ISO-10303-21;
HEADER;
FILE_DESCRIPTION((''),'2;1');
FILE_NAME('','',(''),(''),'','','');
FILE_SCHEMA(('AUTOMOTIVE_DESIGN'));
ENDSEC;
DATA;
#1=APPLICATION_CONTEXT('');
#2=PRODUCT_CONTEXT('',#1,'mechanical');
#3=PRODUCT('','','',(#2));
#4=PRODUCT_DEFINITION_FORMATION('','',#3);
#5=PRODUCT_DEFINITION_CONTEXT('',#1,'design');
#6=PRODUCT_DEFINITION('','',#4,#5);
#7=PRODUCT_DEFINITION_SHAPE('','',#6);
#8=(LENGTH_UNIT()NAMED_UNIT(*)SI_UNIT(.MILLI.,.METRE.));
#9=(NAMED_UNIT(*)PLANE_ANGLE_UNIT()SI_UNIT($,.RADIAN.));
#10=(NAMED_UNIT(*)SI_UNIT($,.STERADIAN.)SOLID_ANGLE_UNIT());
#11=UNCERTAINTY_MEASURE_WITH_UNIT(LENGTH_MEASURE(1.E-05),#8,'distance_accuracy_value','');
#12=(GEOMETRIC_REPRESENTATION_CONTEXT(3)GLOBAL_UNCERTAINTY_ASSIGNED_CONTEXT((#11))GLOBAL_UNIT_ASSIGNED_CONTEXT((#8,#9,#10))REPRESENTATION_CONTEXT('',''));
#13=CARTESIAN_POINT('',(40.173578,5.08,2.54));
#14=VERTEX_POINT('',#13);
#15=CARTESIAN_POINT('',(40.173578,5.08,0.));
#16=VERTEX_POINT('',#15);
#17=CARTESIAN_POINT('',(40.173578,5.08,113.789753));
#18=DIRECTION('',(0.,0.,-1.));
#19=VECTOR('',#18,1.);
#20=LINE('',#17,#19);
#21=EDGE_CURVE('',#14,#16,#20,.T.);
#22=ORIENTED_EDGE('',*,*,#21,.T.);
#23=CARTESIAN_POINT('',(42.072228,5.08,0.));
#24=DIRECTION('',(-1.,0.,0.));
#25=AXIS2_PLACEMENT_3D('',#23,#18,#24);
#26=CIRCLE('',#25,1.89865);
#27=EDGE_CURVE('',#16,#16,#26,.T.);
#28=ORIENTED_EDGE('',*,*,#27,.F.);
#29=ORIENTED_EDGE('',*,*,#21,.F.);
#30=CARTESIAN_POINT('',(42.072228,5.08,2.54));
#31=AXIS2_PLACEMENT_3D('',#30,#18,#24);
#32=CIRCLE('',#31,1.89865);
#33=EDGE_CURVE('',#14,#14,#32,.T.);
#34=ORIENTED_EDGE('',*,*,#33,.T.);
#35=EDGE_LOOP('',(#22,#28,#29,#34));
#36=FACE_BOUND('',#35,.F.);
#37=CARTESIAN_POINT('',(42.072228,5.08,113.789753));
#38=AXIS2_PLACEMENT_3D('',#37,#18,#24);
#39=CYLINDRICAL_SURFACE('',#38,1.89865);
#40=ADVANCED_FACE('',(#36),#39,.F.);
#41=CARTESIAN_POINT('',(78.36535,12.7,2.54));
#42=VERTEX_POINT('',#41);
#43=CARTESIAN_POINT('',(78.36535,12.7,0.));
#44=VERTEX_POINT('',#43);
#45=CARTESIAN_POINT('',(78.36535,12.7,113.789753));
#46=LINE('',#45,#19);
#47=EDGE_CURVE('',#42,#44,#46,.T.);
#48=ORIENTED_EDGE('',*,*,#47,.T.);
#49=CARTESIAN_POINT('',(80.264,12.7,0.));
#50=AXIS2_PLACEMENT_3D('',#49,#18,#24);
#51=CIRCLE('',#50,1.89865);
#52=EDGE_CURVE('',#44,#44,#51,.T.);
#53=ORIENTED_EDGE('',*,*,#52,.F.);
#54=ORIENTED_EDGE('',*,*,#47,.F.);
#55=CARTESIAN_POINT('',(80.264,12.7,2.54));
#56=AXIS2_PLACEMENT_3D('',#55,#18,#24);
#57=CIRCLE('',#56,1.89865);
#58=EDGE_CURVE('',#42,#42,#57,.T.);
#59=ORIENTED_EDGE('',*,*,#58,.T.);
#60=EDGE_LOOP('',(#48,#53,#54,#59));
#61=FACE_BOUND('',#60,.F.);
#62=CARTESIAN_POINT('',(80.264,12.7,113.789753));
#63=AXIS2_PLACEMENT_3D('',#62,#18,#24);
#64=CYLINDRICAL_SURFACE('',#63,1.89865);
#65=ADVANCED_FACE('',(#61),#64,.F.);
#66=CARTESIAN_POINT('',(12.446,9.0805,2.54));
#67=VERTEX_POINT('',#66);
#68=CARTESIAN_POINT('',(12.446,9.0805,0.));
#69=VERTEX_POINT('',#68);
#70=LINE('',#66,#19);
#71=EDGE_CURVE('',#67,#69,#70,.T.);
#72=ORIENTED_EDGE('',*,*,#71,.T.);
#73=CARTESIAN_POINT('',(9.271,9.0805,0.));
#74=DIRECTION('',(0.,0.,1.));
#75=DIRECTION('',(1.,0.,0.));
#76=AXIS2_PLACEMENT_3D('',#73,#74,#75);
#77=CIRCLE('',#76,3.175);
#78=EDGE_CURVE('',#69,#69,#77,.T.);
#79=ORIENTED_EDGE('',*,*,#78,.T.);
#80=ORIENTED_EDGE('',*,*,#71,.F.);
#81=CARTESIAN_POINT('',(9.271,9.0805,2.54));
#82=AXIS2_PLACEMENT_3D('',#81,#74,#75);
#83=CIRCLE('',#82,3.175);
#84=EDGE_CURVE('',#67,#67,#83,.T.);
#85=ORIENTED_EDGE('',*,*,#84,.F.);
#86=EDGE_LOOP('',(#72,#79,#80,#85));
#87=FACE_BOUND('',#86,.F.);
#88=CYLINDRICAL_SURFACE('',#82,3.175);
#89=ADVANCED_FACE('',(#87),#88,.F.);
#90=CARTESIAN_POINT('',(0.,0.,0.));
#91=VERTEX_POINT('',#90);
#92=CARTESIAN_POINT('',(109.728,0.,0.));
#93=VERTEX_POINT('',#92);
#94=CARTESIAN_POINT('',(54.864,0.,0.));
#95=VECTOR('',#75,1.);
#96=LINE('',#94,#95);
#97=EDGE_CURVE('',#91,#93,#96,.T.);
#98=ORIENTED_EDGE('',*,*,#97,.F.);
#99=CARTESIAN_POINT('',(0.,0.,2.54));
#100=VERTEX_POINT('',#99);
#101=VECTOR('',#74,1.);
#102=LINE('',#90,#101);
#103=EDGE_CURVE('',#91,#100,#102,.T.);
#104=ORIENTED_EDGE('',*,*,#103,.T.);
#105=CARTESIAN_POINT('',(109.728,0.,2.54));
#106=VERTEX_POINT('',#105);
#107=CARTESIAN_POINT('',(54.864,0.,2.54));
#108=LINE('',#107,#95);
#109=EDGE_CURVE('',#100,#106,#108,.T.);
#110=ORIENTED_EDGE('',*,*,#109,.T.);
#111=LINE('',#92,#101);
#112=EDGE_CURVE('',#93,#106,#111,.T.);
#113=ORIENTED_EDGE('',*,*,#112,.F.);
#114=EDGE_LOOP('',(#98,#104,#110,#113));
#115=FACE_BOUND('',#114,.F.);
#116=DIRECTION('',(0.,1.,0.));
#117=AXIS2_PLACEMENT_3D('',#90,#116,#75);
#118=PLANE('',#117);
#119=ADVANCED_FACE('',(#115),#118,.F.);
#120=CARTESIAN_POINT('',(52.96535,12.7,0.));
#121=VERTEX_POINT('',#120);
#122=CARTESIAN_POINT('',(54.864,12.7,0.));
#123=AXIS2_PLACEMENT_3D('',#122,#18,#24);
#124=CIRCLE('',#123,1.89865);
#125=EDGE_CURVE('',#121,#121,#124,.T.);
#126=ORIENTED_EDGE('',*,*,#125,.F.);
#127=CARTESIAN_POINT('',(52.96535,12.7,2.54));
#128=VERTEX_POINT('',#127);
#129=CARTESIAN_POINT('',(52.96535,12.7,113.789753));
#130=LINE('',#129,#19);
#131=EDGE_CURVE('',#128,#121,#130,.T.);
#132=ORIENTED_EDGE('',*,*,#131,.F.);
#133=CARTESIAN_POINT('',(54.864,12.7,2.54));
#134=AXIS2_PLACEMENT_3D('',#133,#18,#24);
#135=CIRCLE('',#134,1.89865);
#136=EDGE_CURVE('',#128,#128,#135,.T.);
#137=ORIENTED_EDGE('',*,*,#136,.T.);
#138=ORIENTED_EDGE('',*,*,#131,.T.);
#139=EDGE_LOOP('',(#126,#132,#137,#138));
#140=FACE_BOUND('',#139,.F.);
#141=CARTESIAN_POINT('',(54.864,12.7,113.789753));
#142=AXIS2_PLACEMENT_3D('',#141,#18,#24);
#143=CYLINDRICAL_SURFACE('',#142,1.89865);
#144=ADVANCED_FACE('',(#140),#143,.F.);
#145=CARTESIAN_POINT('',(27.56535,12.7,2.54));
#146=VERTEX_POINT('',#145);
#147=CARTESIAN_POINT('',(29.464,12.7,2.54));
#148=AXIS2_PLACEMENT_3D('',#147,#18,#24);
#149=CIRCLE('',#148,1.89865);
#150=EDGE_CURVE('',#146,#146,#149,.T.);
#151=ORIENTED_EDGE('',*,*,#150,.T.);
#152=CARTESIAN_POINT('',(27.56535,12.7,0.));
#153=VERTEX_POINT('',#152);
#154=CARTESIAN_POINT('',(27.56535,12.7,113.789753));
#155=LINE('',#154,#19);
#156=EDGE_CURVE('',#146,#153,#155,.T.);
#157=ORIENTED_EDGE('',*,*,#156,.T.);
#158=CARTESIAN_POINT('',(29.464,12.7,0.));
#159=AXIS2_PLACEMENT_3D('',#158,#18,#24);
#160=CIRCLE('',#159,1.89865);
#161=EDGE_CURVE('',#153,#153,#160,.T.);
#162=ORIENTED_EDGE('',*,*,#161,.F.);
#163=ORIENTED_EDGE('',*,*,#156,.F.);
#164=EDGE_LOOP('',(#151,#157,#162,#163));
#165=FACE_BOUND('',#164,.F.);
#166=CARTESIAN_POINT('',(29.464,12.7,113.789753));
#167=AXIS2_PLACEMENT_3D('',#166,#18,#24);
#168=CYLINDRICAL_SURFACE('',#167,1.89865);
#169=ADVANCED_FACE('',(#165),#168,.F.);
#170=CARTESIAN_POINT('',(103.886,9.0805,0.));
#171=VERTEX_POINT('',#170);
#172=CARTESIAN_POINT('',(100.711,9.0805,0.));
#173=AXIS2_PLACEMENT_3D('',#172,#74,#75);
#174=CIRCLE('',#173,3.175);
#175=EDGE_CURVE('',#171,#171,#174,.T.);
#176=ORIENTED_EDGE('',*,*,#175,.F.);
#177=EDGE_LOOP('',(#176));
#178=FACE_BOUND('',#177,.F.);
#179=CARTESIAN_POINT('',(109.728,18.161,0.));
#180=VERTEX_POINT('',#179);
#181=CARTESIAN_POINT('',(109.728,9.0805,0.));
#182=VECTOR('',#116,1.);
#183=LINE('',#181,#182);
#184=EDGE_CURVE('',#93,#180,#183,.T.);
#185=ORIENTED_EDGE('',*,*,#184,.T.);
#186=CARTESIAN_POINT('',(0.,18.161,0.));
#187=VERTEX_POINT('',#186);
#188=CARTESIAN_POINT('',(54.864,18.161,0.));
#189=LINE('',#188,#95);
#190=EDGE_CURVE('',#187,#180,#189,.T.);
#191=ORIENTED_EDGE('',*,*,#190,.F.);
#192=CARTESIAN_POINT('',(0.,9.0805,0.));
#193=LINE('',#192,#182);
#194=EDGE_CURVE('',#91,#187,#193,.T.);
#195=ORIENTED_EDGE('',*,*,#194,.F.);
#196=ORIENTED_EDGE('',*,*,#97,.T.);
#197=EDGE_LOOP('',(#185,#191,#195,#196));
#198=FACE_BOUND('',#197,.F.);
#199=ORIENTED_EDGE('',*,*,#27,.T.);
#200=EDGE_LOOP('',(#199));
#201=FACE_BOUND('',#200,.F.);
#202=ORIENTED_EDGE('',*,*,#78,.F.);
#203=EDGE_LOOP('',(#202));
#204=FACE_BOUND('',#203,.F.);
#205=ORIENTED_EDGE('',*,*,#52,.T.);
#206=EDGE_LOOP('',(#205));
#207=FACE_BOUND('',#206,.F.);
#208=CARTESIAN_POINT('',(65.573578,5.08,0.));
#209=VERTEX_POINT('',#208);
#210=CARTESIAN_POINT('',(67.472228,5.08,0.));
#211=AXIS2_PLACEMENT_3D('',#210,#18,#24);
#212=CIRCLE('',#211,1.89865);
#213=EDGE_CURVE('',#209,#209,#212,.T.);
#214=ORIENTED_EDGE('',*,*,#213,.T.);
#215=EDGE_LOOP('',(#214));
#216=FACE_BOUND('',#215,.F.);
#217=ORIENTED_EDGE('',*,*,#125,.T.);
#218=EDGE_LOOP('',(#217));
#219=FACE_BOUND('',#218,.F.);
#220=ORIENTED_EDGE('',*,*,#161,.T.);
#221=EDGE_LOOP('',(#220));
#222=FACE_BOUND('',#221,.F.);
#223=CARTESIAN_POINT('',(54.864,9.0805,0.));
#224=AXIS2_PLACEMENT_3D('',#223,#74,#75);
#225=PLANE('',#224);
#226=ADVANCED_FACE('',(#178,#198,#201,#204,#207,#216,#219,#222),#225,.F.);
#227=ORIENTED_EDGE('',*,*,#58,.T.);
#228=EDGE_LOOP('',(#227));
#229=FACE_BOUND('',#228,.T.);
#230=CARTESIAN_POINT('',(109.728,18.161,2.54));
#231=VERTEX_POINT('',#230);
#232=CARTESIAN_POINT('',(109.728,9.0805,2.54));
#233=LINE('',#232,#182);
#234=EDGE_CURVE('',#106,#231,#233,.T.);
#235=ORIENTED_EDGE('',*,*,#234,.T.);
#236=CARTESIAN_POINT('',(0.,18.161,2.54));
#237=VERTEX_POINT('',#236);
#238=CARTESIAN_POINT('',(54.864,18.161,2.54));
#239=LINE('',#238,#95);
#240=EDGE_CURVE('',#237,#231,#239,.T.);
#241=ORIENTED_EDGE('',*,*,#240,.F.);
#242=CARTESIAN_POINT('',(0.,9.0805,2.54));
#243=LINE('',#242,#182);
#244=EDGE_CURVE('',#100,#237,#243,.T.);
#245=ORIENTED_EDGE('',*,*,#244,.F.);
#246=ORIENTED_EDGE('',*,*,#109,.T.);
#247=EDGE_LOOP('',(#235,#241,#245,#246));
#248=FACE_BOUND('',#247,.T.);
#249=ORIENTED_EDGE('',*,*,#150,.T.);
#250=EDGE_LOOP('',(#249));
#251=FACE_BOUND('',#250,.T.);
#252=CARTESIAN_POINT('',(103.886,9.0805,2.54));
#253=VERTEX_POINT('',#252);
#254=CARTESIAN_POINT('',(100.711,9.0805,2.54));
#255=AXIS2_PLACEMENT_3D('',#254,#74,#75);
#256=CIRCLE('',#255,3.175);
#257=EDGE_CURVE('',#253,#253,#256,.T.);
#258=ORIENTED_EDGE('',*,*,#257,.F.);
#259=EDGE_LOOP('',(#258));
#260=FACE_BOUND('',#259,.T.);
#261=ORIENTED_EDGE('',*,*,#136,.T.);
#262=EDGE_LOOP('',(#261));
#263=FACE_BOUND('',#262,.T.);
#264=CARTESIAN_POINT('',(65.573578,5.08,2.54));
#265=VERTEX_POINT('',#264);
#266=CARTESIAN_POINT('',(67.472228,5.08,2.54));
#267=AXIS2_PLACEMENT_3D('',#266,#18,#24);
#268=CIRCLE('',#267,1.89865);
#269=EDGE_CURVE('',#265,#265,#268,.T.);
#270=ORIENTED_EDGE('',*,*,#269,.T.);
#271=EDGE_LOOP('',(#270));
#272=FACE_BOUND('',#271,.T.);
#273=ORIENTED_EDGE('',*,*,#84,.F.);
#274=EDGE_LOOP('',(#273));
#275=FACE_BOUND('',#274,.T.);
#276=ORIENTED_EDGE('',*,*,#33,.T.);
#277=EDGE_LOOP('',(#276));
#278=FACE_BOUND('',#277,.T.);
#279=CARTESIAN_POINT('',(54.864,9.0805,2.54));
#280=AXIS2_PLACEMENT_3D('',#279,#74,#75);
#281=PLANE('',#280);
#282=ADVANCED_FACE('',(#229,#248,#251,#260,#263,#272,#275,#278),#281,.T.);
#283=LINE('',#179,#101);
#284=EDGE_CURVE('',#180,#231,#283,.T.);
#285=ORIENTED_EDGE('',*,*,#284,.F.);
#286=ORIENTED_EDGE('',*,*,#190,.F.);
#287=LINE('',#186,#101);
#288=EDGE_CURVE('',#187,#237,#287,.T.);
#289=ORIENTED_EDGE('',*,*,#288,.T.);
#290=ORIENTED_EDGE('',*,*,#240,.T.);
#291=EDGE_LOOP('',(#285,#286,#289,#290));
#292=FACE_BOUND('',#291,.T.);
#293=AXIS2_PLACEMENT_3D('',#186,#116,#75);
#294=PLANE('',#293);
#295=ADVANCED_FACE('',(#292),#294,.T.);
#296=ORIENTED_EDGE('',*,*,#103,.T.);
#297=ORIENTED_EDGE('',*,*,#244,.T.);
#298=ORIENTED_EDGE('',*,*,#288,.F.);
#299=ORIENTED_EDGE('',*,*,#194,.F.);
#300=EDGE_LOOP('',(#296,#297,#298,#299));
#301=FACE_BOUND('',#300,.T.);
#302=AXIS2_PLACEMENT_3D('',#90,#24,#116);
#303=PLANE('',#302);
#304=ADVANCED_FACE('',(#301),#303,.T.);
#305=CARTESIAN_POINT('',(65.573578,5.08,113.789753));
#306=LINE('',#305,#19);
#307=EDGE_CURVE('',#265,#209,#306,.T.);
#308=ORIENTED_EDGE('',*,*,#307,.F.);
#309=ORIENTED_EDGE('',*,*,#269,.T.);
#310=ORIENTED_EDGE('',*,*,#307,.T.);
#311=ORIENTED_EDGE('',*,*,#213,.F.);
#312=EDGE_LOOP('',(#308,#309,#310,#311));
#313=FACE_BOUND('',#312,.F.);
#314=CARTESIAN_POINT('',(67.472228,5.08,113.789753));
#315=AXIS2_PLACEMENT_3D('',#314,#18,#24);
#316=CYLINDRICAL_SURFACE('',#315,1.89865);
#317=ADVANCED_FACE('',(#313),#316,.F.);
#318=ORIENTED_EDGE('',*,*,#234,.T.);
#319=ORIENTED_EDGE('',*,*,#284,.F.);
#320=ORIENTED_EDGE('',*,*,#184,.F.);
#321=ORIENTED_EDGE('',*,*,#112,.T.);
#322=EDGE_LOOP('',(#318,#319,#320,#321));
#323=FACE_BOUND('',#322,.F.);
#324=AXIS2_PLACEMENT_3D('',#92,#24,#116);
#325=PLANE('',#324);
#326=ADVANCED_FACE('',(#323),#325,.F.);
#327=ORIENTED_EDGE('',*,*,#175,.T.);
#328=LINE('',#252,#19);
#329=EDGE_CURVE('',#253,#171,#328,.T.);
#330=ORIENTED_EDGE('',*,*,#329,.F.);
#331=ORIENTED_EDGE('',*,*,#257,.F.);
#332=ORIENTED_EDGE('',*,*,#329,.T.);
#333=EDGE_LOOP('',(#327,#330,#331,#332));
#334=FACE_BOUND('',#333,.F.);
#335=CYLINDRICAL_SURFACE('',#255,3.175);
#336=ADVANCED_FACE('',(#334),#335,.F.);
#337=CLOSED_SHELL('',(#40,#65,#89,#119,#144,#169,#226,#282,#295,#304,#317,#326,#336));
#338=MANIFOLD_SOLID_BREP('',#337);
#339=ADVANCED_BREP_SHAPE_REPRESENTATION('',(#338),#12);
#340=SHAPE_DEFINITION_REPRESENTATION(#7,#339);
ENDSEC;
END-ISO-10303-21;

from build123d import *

# Parameters (mm, degrees)
F0_W     = 109.728
F0_H     = 18.161
F1_DEPTH = 2.54
F2_R     = 3.175
F3_DEPTH = 2.541
F5_D     = 3.7973


with BuildPart() as f1:
    # F0 (on Top) → F1 (new body)
    with BuildSketch(Plane.XY):
        with Locations((54.864, 9.0805)):
            Rectangle(F0_W, F0_H)
    extrude(amount=F1_DEPTH)

    # F2 (on face) → F3 (cut, through all)
    with BuildSketch(Plane.XY.offset(2.54)):
        with Locations((9.271, 9.0805)):
            Circle(F2_R)
        with Locations((100.711, 9.0805)):
            Circle(F2_R)
    extrude(amount=-F3_DEPTH, mode=Mode.SUBTRACT)

    # F5 (through all)
    with Locations(Plane.XY.offset(2.54)):
        with Locations((29.464, 12.7), (42.0722284243, 5.08), (54.864, 12.7), (67.4722284243, 5.08), (80.264, 12.7)):
            Hole(F5_D / 2)


solid = f1.part
